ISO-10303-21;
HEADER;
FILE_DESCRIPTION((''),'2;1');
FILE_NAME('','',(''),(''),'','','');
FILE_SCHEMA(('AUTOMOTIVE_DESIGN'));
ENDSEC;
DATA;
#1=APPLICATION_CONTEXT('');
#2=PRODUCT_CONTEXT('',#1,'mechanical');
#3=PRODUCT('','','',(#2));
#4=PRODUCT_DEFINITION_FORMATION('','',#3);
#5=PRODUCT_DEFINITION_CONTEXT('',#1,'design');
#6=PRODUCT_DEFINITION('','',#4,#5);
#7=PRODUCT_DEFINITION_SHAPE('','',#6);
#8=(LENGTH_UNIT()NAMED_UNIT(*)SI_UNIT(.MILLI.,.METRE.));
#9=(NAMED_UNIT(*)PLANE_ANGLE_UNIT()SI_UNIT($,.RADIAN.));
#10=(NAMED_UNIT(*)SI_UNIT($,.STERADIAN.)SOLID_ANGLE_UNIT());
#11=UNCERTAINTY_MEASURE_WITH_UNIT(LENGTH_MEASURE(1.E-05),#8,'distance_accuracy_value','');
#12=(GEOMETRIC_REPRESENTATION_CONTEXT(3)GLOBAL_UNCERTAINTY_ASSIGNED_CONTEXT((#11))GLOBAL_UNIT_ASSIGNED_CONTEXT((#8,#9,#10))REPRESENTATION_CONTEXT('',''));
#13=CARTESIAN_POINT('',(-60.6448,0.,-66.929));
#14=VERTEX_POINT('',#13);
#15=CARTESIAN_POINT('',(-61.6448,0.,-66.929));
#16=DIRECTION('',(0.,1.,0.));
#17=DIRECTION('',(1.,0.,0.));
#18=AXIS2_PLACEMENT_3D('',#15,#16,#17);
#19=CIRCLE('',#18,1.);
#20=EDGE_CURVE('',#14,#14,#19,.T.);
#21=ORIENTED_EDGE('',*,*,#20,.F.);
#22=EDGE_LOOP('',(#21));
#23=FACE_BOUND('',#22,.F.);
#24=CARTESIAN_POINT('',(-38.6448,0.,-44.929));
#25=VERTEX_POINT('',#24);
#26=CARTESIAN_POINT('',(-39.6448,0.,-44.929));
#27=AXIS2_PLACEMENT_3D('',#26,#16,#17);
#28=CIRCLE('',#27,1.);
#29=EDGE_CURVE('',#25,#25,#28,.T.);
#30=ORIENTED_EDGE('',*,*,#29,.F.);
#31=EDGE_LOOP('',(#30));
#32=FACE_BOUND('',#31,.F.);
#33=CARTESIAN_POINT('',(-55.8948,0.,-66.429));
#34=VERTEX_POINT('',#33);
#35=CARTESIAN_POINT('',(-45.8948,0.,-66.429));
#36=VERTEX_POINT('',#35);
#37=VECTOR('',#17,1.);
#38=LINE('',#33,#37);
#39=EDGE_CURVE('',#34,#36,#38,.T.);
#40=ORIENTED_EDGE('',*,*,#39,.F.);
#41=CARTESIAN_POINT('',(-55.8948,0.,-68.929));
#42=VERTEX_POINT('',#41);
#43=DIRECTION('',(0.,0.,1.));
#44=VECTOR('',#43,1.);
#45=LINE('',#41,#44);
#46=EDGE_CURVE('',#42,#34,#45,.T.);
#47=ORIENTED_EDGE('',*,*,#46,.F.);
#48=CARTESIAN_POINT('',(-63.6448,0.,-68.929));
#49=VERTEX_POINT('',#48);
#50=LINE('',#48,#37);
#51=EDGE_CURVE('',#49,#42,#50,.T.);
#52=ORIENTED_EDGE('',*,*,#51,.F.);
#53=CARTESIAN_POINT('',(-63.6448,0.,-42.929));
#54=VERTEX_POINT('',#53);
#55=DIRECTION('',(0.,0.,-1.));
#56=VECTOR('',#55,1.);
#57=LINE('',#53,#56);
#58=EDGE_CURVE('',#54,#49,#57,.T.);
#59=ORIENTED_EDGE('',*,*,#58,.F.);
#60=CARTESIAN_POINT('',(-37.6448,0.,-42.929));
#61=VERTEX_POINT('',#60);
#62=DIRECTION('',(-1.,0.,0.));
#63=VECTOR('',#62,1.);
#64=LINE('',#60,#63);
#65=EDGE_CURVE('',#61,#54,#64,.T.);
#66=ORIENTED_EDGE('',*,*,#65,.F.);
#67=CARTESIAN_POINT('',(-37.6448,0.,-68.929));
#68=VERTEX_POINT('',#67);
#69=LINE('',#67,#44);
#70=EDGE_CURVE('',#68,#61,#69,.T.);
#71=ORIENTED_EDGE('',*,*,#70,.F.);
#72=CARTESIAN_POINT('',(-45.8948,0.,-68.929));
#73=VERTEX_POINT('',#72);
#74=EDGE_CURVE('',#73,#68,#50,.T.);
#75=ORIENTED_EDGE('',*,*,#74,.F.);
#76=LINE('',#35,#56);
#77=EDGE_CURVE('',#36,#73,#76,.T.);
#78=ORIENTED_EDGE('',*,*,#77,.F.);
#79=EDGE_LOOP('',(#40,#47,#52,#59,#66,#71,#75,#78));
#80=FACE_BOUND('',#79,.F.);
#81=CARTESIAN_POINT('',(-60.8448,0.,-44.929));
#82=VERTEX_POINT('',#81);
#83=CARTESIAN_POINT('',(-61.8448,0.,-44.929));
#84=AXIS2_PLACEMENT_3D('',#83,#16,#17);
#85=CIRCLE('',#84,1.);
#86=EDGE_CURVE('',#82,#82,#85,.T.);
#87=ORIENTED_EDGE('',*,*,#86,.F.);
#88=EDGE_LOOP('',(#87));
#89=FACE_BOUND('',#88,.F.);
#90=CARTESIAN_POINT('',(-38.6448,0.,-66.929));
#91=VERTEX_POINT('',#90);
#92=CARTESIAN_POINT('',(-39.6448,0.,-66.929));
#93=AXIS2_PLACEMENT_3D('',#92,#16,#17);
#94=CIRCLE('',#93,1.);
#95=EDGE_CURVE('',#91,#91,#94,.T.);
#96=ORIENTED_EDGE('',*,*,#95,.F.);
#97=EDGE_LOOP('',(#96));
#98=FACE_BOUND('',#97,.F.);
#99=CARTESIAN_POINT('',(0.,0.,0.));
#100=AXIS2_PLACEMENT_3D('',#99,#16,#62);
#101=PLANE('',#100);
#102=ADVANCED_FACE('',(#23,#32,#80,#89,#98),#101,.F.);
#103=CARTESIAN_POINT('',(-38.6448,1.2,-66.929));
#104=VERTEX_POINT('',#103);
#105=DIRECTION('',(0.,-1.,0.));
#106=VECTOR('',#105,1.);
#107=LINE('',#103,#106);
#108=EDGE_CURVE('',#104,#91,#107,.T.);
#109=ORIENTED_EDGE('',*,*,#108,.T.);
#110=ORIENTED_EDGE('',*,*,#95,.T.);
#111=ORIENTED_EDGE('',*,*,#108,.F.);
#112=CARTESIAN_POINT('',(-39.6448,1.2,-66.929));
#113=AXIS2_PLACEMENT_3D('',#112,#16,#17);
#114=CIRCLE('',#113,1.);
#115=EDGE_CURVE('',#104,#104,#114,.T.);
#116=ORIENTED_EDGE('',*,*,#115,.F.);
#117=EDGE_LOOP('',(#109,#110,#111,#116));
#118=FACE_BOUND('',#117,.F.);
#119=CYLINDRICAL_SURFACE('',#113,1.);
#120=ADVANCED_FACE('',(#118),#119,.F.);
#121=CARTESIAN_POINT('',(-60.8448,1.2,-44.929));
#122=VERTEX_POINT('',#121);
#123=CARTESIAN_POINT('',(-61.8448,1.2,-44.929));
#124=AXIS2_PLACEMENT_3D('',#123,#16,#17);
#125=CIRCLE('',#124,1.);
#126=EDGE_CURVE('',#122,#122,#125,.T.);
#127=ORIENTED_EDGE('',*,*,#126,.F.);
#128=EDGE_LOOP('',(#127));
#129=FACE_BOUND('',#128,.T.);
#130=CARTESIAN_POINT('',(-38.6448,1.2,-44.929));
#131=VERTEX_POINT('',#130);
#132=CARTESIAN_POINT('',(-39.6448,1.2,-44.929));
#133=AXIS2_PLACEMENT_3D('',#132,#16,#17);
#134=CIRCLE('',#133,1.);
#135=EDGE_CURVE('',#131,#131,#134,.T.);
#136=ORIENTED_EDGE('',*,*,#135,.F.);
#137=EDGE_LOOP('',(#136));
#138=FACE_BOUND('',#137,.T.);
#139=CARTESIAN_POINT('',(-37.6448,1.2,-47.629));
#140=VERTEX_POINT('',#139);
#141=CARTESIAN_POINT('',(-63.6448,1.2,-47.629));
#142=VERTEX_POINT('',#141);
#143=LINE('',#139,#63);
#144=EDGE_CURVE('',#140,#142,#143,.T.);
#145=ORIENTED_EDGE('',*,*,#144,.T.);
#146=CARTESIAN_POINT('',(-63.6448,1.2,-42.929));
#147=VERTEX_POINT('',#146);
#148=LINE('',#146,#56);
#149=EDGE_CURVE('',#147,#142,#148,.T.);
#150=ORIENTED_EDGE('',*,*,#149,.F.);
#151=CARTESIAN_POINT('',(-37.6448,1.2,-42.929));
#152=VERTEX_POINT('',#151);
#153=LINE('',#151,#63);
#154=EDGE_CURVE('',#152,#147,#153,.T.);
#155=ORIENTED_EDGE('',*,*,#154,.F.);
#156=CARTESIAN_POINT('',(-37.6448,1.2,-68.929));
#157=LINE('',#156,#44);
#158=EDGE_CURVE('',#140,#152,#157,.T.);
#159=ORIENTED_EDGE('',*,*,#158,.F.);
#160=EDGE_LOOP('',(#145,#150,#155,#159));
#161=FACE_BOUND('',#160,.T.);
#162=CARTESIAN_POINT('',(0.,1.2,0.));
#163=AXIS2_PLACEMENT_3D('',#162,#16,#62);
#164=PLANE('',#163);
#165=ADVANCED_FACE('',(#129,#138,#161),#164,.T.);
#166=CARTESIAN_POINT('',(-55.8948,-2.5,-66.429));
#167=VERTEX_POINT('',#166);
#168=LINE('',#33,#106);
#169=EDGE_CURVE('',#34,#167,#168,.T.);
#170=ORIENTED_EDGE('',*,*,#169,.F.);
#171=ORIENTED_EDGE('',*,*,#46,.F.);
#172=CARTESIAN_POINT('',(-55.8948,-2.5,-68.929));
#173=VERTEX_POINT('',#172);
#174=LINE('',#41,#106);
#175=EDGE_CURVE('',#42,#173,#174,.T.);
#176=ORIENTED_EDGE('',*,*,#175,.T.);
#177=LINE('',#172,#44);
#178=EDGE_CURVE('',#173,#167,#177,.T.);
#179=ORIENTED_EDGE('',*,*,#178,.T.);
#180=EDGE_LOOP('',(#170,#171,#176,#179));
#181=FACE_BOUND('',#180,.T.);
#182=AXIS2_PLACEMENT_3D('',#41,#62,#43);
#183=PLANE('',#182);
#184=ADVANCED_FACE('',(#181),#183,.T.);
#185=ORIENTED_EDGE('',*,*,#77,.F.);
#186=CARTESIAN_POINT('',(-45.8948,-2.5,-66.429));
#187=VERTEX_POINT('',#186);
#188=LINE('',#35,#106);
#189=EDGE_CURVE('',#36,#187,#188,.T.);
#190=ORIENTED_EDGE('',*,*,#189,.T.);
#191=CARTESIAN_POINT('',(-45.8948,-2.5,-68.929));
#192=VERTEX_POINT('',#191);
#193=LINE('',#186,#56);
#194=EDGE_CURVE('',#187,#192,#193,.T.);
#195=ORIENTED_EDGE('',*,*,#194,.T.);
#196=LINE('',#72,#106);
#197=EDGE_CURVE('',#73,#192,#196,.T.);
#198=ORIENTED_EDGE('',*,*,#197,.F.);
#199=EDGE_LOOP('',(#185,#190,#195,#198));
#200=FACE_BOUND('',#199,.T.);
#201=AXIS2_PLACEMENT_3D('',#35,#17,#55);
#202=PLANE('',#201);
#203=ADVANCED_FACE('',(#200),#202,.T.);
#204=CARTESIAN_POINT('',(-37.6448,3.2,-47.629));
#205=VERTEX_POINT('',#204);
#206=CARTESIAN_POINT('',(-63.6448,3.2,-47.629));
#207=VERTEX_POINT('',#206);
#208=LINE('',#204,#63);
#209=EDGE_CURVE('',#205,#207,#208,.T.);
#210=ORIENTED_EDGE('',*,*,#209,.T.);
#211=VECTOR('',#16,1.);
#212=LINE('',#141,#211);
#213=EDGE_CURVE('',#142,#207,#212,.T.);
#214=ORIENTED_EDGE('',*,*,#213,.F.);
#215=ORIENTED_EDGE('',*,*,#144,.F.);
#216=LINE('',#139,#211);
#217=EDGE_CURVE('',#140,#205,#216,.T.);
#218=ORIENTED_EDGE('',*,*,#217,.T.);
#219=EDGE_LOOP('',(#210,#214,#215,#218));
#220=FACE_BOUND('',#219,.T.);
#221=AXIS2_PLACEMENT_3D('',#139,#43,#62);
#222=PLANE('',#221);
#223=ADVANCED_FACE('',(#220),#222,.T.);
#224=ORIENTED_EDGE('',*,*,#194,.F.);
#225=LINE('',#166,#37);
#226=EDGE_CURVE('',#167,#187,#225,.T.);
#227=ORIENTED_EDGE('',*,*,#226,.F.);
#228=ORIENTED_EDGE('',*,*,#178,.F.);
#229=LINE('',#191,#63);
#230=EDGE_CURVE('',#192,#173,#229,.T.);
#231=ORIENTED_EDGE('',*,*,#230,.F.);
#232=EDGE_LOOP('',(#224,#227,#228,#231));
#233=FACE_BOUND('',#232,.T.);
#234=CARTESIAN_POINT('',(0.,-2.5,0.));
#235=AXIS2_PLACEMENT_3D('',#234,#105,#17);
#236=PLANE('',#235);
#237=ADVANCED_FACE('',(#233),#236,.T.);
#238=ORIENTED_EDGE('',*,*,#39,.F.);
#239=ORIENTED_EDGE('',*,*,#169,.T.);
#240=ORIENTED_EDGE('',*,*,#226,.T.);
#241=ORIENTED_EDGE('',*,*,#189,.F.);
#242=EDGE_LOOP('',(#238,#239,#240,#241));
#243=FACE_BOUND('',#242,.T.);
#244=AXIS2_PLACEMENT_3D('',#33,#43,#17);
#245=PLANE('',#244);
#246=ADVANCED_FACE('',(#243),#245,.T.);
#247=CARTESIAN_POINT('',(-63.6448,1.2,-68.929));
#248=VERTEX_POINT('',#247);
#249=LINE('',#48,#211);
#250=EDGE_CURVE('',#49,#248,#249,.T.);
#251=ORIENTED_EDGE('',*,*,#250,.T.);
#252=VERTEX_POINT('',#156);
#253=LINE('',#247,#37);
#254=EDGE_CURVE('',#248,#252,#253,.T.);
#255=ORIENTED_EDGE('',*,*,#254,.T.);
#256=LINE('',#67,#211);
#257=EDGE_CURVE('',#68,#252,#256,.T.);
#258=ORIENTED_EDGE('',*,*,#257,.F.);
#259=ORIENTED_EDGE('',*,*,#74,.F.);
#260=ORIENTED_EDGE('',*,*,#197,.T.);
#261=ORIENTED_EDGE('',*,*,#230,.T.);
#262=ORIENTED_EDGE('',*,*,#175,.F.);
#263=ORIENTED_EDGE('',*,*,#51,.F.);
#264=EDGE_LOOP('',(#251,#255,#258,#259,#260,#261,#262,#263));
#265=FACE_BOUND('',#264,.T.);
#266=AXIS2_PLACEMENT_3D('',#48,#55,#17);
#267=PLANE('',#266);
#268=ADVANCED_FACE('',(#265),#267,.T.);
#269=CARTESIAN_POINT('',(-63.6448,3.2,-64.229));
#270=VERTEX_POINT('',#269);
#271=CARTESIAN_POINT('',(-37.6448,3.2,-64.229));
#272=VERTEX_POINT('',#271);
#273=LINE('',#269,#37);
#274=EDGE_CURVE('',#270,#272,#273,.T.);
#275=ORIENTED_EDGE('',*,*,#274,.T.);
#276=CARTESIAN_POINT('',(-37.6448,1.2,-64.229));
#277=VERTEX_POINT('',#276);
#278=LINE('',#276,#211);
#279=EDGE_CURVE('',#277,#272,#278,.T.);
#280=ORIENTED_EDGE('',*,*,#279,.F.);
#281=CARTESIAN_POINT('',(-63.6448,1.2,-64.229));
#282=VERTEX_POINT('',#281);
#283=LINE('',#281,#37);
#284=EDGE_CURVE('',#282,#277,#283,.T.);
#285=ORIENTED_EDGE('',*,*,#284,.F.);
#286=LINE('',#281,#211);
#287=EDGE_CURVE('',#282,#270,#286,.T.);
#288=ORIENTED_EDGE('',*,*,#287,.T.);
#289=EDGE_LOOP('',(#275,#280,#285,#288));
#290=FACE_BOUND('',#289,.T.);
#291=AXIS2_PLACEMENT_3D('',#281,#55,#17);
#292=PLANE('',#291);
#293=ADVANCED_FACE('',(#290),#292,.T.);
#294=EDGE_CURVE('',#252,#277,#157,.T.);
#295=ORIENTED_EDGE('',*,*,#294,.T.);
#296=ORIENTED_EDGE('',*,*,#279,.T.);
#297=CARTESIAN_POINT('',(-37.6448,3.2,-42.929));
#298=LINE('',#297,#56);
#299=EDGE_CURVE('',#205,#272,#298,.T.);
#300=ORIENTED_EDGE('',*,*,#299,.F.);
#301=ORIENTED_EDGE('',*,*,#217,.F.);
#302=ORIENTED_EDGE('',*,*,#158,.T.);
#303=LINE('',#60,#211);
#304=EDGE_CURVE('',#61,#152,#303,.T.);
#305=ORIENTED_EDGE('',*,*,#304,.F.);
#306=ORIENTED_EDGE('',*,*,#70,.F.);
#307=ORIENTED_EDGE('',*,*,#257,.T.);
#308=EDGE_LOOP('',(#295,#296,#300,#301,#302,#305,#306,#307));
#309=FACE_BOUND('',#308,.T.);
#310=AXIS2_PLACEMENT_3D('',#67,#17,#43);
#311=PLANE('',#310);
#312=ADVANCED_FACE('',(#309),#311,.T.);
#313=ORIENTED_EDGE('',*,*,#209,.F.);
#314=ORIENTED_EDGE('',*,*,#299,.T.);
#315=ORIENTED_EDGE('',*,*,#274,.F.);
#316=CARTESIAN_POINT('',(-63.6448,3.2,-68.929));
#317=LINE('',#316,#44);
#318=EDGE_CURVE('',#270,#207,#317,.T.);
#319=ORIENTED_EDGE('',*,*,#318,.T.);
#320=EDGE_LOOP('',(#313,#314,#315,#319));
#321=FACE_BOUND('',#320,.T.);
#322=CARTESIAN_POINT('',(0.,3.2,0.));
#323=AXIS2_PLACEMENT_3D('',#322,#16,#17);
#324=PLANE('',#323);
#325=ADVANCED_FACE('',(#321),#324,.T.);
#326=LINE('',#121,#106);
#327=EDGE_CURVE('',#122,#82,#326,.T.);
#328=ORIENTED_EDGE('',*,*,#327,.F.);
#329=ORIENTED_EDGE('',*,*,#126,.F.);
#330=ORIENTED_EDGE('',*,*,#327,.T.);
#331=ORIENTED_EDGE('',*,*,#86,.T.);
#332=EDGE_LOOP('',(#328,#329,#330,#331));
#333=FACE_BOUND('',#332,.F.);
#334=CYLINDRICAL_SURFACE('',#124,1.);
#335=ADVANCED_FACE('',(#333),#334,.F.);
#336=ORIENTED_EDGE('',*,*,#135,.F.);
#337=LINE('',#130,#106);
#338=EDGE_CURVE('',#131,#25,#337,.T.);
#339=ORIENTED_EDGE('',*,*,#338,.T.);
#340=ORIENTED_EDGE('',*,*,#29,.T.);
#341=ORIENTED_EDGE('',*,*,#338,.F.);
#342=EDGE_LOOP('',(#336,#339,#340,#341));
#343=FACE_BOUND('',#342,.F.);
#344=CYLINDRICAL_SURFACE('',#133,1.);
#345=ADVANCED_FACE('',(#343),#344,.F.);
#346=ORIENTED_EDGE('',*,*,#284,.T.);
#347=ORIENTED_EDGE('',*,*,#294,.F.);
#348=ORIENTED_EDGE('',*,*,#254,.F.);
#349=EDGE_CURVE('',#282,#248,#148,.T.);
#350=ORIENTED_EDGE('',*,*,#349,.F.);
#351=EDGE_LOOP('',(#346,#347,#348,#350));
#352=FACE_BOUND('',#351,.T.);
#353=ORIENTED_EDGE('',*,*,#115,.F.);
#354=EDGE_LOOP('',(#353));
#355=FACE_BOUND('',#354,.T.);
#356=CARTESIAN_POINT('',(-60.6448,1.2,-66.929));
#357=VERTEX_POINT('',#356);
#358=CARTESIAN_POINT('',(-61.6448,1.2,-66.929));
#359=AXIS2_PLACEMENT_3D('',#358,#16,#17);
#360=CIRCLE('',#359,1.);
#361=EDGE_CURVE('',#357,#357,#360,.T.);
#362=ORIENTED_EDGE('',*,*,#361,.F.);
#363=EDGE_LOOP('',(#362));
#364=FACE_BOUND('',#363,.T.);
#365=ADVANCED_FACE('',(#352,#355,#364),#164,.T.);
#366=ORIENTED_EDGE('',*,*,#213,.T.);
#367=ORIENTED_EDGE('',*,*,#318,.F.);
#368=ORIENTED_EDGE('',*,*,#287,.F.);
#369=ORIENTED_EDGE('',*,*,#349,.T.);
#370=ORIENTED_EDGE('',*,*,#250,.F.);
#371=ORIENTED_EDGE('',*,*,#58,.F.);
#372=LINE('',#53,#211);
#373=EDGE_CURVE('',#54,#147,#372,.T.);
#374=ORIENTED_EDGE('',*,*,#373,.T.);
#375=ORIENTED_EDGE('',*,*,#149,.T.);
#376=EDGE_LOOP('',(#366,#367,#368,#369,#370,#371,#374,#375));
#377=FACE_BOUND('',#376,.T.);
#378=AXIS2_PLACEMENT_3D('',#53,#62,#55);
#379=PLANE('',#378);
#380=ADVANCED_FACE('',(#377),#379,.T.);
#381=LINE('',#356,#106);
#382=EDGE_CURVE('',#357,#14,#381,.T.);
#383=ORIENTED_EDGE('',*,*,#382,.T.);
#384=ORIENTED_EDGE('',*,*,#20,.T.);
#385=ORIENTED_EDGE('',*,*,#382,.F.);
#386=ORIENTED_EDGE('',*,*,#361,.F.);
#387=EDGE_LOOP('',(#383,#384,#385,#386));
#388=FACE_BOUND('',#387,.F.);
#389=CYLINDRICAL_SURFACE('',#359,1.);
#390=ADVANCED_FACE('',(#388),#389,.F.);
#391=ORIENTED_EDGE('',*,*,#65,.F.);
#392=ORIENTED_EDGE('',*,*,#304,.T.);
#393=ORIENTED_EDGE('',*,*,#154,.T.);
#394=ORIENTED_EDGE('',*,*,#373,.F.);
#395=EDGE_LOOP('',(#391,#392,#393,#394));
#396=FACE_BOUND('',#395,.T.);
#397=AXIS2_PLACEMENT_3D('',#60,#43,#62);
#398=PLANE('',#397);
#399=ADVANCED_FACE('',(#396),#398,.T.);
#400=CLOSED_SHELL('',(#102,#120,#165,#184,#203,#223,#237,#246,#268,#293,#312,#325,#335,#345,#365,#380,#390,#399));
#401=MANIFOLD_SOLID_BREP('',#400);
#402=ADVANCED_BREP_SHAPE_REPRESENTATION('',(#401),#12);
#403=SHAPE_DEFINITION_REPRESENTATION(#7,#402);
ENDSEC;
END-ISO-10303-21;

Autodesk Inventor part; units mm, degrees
ref_plane "YZ Plane" through (0, 0, 0) normal (1, 0, 0) x (0, 1, 0)
ref_plane "XZ Plane" through (0, 0, 0) normal (0, 1, 0) x (-1, 0, 0)
ref_plane "XY Plane" through (0, 0, 0) normal (0, 0, 1) x (1, 0, 0)
sketch "Sketch1" plane through (0, 0, 0) normal (0, 1, 0) x (-1, 0, 0)
  line L0 (63.6448, -68.929) -> (37.6448, -68.929)
  line L1 (37.6448, -68.929) -> (37.6448, -42.929)
  line L2 (37.6448, -42.929) -> (63.6448, -42.929)
  line L3 (63.6448, -42.929) -> (63.6448, -68.929)
  point P0 (0, 0)
  dimension "d0" = 26
  dimension "d1" = 26
extrude "Extrusion1" add sketch "Sketch1" along normal blind 1.2
sketch "Sketch2" plane through (0, 1.2, 0) normal (0, 1, 0) x (1, 0, 0)
  line L0 (-63.6448, 68.929) -> (-63.6448, 42.929) projected
  line L1 (-37.6448, 42.929) -> (-37.6448, 68.929) projected
  line L2 (-63.6448, 64.229) -> (-37.6448, 64.229)
  line L3 (-37.6448, 64.229) -> (-37.6448, 47.629)
  line L4 (-37.6448, 47.629) -> (-63.6448, 47.629)
  line L5 (-63.6448, 47.629) -> (-63.6448, 64.229)
  line L6 (-37.6448, 68.929) -> (-63.6448, 68.929) projected
  point P0 (0, 0)
  point P1 (-63.6448, 47.629)
  dimension "d4" = 4.7
  dimension "d5" = 16.6
extrude "Extrusion2" add sketch "Sketch2" along normal blind 2 contours L2 L1 L4 L0
sketch "Sketch3" plane through (0, 1.2, 0) normal (0, 1, 0) x (1, 0, 0)
  circle A0 centre (-61.6448, 66.929) radius 1
  circle A1 centre (-39.6448, 66.929) radius 1
  circle A2 centre (-39.6448, 44.929) radius 1
  circle A3 centre (-61.8448, 44.929) radius 1
  line L0 (-63.6448, 68.929) -> (-63.6448, 64.229) projected
  line L1 (-37.6448, 68.929) -> (-63.6448, 68.929) projected
  line L2 (-37.6448, 64.229) -> (-37.6448, 68.929) projected
  line L3 (-37.6448, 42.929) -> (-37.6448, 47.629) projected
  line L4 (-63.6448, 42.929) -> (-37.6448, 42.929) projected
  line L5 (-63.6448, 47.629) -> (-63.6448, 42.929) projected
  point P0 (0, 0)
  point P1 (-63.6448, 45.279)
  dimension "d8" = 2
  dimension "d9" = 2
  dimension "d10" = 2
  dimension "d11" = 2
  dimension "d12" = 2
  dimension "d13" = 2
  dimension "d14" = 2
  dimension "d15" = 2
  dimension "d16" = 2
  dimension "d17" = 2
  dimension "d18" = 2
  dimension "d19" = 1.8
extrude "Extrusion3" cut sketch "Sketch3" against normal through all
sketch "Sketch4" plane through (0, 0, 0) normal (0, -1, 0) x (1, 0, 0)
  line L0 (-45.8948, -68.929) -> (-55.8948, -68.929)
  line L1 (-55.8948, -68.929) -> (-55.8948, -66.429)
  line L2 (-55.8948, -66.429) -> (-45.8948, -66.429)
  line L3 (-45.8948, -66.429) -> (-45.8948, -68.929)
  line L4 (-37.6448, -68.929) -> (-63.6448, -68.929) projected
  line L5 (-37.6448, -42.929) -> (-37.6448, -68.929) projected
  point P0 (0, 0)
  dimension "d22" = 10
  dimension "d23" = 2.5
  dimension "d24" = 0
  dimension "d25" = 8.25
extrude "Extrusion4" add sketch "Sketch4" along normal blind 2.5
equation "\"d14\" = d13"
equation "\"d15\" = d14"
equation "\"d16\" = d14"
equation "\"d17\" = d15"
equation "\"d18\" = d12"
properties part number "ssd1360"
